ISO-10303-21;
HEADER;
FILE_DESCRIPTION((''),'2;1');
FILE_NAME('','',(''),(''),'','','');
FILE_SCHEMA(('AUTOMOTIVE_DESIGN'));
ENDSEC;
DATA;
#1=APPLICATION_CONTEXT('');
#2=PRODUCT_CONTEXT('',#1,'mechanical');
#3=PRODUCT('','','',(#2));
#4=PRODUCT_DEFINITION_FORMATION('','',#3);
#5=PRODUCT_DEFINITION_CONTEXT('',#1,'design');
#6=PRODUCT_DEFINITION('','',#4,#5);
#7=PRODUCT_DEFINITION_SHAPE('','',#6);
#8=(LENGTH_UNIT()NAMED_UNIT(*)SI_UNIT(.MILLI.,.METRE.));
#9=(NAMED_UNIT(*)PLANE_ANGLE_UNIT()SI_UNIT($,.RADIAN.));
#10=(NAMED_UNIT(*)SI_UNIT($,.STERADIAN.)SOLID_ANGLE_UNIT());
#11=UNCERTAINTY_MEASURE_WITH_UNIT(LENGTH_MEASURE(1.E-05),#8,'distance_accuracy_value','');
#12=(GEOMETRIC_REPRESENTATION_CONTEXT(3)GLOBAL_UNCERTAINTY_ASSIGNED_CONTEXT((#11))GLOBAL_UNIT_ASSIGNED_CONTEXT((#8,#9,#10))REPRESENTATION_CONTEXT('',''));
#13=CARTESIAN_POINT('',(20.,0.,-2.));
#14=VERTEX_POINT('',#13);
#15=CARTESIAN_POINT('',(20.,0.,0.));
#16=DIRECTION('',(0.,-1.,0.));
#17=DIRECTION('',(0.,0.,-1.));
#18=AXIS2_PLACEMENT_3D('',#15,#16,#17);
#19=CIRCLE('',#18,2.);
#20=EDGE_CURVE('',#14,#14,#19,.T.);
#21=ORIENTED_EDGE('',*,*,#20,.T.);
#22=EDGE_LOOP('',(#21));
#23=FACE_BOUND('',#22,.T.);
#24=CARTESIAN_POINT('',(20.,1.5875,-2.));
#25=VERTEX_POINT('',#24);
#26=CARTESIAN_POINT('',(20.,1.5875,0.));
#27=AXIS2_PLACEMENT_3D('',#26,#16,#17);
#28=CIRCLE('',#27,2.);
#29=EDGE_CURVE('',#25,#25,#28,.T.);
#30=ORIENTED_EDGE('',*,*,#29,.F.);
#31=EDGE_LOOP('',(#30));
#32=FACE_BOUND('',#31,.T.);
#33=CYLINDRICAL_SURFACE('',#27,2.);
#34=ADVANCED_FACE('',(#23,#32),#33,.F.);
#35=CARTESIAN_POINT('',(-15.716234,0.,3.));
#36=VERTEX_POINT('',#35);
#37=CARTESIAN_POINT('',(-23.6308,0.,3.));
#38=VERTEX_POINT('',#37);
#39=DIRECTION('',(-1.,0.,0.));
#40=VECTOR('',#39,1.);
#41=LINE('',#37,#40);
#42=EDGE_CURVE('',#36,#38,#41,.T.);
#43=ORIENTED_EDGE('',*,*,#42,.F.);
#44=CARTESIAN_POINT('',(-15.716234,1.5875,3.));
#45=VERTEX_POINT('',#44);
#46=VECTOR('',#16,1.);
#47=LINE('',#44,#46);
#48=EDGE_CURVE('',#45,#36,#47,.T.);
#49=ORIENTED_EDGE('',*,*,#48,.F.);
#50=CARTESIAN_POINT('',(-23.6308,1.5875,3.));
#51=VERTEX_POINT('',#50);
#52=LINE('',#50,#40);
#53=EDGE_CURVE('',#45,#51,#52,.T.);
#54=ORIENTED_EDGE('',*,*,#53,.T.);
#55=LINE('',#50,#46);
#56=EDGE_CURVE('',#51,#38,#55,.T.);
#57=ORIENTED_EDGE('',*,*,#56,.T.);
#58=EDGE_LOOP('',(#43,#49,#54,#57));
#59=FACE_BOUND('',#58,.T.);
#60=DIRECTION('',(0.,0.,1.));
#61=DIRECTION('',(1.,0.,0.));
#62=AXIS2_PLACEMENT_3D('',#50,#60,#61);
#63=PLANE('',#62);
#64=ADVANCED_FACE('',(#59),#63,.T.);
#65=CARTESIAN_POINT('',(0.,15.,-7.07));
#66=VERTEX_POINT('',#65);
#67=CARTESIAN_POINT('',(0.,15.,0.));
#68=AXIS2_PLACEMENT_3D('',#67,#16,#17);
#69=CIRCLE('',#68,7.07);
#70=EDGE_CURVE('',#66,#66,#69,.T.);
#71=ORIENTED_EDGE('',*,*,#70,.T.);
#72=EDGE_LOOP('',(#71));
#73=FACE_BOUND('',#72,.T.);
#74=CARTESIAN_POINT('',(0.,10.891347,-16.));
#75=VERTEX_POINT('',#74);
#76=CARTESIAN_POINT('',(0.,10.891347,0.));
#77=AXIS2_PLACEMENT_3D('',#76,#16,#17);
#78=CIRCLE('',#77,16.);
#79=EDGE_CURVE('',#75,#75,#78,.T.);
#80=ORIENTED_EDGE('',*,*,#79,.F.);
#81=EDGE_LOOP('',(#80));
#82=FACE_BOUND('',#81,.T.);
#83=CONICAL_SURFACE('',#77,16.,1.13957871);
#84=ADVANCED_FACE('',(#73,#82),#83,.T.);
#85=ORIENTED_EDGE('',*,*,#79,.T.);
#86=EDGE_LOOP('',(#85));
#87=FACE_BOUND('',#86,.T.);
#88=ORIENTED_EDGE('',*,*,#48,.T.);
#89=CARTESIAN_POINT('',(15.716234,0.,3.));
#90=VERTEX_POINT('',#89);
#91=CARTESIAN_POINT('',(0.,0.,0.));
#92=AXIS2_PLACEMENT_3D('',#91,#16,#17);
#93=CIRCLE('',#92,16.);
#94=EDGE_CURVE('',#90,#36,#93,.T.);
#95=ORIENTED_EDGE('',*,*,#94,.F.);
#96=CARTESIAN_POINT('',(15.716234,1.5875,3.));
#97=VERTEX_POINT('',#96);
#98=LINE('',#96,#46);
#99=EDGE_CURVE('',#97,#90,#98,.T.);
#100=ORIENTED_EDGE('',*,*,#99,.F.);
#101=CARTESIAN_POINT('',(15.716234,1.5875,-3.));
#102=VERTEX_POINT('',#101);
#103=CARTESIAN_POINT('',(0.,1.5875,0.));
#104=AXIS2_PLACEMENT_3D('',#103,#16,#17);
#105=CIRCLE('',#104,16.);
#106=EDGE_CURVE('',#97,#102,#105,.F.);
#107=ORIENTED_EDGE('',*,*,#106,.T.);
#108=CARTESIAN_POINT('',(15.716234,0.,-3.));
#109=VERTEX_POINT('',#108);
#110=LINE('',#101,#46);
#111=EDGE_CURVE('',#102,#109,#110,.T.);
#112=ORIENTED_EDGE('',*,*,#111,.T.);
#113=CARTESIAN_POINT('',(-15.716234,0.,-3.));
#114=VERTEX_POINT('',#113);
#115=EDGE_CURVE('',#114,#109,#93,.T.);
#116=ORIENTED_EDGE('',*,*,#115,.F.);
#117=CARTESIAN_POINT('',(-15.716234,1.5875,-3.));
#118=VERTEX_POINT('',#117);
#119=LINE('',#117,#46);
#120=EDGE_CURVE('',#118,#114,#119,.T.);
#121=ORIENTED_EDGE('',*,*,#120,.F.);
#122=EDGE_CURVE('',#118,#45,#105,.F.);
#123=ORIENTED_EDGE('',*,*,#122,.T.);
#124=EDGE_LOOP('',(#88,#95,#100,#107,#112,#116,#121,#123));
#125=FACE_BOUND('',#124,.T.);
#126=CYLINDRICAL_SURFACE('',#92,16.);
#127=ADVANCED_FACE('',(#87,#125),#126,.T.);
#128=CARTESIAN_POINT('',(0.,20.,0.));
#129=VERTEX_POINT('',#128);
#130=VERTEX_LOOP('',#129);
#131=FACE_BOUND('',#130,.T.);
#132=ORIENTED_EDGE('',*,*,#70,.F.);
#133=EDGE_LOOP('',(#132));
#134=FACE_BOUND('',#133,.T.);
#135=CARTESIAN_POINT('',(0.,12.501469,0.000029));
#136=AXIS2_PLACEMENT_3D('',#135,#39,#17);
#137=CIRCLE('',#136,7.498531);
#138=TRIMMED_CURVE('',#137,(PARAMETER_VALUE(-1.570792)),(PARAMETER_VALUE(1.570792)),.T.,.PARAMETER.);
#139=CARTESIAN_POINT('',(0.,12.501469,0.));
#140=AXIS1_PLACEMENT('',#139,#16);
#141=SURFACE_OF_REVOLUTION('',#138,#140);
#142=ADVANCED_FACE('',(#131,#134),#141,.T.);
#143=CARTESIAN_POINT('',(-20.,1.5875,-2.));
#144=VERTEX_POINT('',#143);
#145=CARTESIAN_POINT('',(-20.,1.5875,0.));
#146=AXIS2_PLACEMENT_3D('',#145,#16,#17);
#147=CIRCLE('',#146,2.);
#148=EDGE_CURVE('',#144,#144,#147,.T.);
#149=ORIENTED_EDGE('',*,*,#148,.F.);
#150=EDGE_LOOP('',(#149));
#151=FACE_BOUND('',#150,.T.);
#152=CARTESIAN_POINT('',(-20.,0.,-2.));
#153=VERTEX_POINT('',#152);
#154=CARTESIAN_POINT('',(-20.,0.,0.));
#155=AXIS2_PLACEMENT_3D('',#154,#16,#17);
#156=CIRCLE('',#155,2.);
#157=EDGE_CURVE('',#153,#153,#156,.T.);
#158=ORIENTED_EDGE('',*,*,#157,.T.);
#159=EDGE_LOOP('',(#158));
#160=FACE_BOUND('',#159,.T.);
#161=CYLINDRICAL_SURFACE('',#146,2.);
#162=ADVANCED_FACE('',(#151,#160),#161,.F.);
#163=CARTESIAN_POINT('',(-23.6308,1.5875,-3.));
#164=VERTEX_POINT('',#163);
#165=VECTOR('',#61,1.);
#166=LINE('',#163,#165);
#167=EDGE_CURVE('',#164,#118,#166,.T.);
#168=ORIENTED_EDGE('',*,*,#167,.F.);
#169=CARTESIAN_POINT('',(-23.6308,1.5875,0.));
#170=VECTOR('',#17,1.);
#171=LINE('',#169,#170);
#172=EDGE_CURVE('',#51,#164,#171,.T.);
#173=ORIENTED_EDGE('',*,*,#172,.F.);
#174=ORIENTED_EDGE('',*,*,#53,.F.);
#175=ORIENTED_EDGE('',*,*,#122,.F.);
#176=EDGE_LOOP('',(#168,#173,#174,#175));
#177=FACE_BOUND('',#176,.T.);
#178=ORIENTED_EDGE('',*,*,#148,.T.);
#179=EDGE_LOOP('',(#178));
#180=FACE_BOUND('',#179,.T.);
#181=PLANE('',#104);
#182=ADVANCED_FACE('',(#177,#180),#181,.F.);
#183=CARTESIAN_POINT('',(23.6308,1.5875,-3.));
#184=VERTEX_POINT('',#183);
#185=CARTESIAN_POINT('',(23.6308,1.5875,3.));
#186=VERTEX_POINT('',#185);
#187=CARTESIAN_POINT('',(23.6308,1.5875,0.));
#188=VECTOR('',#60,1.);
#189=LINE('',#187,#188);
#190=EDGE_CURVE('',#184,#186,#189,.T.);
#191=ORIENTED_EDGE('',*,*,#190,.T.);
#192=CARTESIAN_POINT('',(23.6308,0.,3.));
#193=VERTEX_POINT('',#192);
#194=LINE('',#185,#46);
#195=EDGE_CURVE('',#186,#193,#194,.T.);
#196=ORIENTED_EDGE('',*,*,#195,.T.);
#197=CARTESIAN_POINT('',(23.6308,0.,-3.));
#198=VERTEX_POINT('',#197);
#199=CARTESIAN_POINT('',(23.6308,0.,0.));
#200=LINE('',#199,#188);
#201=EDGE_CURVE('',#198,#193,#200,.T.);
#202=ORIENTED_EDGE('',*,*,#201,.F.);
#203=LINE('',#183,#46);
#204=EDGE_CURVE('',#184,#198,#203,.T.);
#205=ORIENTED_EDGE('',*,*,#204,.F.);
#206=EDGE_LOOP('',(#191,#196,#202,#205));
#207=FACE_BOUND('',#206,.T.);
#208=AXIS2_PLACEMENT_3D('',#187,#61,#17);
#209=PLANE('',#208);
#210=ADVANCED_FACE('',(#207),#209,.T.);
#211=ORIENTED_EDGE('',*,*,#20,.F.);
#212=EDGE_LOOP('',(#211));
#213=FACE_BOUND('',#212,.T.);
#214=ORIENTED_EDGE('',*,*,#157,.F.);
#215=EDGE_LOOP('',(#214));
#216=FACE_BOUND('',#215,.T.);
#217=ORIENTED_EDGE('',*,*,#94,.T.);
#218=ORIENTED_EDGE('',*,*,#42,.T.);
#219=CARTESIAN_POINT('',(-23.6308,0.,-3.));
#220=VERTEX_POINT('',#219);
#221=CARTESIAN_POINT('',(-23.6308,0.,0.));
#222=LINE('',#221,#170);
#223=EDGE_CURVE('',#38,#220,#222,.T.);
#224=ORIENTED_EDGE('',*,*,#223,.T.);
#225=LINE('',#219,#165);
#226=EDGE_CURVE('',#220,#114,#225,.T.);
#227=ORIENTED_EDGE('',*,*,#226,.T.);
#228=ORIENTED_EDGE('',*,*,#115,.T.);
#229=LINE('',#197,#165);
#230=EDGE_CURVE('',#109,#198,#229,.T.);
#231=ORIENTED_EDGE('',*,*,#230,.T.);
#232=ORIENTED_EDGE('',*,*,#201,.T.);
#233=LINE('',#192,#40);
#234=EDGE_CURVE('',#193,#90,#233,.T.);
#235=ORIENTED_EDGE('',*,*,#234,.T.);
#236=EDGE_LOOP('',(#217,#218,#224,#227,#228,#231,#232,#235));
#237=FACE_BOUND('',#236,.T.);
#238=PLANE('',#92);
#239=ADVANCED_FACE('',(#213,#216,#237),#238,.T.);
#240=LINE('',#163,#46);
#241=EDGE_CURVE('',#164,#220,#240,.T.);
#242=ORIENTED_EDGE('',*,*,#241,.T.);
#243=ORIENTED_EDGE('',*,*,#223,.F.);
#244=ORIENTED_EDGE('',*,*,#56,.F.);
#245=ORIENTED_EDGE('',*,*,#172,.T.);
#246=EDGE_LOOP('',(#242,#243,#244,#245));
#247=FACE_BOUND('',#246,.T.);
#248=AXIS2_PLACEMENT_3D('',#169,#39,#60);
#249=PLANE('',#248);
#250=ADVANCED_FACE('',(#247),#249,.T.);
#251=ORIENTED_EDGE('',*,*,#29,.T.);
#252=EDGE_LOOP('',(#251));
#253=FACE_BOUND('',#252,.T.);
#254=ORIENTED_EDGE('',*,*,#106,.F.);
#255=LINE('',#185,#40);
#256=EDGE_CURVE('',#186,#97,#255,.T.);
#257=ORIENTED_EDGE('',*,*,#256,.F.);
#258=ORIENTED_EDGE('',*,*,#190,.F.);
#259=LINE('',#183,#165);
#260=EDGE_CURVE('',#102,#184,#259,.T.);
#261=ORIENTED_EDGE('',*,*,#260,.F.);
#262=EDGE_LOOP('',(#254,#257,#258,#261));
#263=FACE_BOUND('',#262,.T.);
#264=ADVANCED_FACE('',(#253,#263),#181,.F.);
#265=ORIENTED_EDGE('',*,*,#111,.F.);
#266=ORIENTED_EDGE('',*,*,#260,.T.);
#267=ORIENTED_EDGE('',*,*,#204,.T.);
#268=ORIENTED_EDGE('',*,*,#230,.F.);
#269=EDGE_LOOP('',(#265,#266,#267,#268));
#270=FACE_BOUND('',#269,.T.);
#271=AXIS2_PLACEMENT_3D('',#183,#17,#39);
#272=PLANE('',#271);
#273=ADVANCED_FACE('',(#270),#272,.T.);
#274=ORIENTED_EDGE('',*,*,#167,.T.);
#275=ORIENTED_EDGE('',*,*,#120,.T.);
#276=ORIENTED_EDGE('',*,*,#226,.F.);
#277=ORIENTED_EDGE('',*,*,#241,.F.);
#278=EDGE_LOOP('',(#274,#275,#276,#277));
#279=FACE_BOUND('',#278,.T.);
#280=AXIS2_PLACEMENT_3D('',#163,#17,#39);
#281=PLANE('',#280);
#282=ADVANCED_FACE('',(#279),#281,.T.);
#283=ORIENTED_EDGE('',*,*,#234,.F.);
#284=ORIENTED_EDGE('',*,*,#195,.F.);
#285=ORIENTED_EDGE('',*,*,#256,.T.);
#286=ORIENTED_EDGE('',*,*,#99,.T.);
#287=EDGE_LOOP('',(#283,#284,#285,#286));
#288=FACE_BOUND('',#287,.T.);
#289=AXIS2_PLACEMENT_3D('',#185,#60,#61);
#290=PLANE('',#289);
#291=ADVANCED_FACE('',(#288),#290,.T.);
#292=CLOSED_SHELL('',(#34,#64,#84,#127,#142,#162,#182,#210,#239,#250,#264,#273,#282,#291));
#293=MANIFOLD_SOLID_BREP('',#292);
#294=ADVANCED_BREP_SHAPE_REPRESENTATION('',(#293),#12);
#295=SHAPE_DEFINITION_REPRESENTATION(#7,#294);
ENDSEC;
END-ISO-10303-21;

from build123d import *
from build123d.topology import SkipClean

# Parameters (mm, degrees)
SKETCH5_R           = 2
BOSS_EXTRUDE1_DEPTH = 1.5875


with BuildPart() as part:
    # Sketch1 → Revolve2 (revolve)
    with BuildSketch(Plane.XY, mode=Mode.PRIVATE) as revolve2_sk:
        with BuildLine():
            ThreePointArc((0, 20), (4.32968577, 18.623685679), (7.07, 15))
            Line((7.07, 15), (16, 10.891346557))
            Line((16, 10.891346557), (16, 0))
            Line((16, 0), (0, 0))
            Line((0, 0), (0, 20))
        make_face()
    revolve(revolve2_sk.sketch.rotate(Axis((0, 0, 0), (0, 1, 0)), 90), axis=Axis((0, 0, 0), (0, 1, 0)))

    # Sketch5 → Boss-Extrude1 (add)
    with SkipClean():  # the faces are left unmerged after this step: merging them gives an invalid solid
        with BuildSketch(Plane.XZ):
            with BuildLine():
                Line((23.630800275, 0), (23.630800275, 3))
                Line((23.630800275, 3), (15.716233646, 3))
                ThreePointArc((15.716233646, 3), (0, 16), (-15.716233646, 3))
                Line((-15.716233646, 3), (-23.630800275, 3))
                Line((-23.630800275, 3), (-23.630800275, 0))
                Line((-23.630800275, 0), (-23.630800275, -3))
                Line((-23.630800275, -3), (-15.716233646, -3))
                ThreePointArc((-15.716233646, -3), (0, -16), (15.716233646, -3))
                Line((15.716233646, -3), (23.630800275, -3))
                Line((23.630800275, -3), (23.630800275, 0))
            make_face()
            with Locations(Location((-20, 0, 0), (0, 0, 270))):
                Circle(SKETCH5_R, mode=Mode.SUBTRACT)
            with Locations(Location((20, 0, 0), (0, 0, 270))):
                Circle(SKETCH5_R, mode=Mode.SUBTRACT)
        extrude(amount=-BOSS_EXTRUDE1_DEPTH)


solid = part.part
